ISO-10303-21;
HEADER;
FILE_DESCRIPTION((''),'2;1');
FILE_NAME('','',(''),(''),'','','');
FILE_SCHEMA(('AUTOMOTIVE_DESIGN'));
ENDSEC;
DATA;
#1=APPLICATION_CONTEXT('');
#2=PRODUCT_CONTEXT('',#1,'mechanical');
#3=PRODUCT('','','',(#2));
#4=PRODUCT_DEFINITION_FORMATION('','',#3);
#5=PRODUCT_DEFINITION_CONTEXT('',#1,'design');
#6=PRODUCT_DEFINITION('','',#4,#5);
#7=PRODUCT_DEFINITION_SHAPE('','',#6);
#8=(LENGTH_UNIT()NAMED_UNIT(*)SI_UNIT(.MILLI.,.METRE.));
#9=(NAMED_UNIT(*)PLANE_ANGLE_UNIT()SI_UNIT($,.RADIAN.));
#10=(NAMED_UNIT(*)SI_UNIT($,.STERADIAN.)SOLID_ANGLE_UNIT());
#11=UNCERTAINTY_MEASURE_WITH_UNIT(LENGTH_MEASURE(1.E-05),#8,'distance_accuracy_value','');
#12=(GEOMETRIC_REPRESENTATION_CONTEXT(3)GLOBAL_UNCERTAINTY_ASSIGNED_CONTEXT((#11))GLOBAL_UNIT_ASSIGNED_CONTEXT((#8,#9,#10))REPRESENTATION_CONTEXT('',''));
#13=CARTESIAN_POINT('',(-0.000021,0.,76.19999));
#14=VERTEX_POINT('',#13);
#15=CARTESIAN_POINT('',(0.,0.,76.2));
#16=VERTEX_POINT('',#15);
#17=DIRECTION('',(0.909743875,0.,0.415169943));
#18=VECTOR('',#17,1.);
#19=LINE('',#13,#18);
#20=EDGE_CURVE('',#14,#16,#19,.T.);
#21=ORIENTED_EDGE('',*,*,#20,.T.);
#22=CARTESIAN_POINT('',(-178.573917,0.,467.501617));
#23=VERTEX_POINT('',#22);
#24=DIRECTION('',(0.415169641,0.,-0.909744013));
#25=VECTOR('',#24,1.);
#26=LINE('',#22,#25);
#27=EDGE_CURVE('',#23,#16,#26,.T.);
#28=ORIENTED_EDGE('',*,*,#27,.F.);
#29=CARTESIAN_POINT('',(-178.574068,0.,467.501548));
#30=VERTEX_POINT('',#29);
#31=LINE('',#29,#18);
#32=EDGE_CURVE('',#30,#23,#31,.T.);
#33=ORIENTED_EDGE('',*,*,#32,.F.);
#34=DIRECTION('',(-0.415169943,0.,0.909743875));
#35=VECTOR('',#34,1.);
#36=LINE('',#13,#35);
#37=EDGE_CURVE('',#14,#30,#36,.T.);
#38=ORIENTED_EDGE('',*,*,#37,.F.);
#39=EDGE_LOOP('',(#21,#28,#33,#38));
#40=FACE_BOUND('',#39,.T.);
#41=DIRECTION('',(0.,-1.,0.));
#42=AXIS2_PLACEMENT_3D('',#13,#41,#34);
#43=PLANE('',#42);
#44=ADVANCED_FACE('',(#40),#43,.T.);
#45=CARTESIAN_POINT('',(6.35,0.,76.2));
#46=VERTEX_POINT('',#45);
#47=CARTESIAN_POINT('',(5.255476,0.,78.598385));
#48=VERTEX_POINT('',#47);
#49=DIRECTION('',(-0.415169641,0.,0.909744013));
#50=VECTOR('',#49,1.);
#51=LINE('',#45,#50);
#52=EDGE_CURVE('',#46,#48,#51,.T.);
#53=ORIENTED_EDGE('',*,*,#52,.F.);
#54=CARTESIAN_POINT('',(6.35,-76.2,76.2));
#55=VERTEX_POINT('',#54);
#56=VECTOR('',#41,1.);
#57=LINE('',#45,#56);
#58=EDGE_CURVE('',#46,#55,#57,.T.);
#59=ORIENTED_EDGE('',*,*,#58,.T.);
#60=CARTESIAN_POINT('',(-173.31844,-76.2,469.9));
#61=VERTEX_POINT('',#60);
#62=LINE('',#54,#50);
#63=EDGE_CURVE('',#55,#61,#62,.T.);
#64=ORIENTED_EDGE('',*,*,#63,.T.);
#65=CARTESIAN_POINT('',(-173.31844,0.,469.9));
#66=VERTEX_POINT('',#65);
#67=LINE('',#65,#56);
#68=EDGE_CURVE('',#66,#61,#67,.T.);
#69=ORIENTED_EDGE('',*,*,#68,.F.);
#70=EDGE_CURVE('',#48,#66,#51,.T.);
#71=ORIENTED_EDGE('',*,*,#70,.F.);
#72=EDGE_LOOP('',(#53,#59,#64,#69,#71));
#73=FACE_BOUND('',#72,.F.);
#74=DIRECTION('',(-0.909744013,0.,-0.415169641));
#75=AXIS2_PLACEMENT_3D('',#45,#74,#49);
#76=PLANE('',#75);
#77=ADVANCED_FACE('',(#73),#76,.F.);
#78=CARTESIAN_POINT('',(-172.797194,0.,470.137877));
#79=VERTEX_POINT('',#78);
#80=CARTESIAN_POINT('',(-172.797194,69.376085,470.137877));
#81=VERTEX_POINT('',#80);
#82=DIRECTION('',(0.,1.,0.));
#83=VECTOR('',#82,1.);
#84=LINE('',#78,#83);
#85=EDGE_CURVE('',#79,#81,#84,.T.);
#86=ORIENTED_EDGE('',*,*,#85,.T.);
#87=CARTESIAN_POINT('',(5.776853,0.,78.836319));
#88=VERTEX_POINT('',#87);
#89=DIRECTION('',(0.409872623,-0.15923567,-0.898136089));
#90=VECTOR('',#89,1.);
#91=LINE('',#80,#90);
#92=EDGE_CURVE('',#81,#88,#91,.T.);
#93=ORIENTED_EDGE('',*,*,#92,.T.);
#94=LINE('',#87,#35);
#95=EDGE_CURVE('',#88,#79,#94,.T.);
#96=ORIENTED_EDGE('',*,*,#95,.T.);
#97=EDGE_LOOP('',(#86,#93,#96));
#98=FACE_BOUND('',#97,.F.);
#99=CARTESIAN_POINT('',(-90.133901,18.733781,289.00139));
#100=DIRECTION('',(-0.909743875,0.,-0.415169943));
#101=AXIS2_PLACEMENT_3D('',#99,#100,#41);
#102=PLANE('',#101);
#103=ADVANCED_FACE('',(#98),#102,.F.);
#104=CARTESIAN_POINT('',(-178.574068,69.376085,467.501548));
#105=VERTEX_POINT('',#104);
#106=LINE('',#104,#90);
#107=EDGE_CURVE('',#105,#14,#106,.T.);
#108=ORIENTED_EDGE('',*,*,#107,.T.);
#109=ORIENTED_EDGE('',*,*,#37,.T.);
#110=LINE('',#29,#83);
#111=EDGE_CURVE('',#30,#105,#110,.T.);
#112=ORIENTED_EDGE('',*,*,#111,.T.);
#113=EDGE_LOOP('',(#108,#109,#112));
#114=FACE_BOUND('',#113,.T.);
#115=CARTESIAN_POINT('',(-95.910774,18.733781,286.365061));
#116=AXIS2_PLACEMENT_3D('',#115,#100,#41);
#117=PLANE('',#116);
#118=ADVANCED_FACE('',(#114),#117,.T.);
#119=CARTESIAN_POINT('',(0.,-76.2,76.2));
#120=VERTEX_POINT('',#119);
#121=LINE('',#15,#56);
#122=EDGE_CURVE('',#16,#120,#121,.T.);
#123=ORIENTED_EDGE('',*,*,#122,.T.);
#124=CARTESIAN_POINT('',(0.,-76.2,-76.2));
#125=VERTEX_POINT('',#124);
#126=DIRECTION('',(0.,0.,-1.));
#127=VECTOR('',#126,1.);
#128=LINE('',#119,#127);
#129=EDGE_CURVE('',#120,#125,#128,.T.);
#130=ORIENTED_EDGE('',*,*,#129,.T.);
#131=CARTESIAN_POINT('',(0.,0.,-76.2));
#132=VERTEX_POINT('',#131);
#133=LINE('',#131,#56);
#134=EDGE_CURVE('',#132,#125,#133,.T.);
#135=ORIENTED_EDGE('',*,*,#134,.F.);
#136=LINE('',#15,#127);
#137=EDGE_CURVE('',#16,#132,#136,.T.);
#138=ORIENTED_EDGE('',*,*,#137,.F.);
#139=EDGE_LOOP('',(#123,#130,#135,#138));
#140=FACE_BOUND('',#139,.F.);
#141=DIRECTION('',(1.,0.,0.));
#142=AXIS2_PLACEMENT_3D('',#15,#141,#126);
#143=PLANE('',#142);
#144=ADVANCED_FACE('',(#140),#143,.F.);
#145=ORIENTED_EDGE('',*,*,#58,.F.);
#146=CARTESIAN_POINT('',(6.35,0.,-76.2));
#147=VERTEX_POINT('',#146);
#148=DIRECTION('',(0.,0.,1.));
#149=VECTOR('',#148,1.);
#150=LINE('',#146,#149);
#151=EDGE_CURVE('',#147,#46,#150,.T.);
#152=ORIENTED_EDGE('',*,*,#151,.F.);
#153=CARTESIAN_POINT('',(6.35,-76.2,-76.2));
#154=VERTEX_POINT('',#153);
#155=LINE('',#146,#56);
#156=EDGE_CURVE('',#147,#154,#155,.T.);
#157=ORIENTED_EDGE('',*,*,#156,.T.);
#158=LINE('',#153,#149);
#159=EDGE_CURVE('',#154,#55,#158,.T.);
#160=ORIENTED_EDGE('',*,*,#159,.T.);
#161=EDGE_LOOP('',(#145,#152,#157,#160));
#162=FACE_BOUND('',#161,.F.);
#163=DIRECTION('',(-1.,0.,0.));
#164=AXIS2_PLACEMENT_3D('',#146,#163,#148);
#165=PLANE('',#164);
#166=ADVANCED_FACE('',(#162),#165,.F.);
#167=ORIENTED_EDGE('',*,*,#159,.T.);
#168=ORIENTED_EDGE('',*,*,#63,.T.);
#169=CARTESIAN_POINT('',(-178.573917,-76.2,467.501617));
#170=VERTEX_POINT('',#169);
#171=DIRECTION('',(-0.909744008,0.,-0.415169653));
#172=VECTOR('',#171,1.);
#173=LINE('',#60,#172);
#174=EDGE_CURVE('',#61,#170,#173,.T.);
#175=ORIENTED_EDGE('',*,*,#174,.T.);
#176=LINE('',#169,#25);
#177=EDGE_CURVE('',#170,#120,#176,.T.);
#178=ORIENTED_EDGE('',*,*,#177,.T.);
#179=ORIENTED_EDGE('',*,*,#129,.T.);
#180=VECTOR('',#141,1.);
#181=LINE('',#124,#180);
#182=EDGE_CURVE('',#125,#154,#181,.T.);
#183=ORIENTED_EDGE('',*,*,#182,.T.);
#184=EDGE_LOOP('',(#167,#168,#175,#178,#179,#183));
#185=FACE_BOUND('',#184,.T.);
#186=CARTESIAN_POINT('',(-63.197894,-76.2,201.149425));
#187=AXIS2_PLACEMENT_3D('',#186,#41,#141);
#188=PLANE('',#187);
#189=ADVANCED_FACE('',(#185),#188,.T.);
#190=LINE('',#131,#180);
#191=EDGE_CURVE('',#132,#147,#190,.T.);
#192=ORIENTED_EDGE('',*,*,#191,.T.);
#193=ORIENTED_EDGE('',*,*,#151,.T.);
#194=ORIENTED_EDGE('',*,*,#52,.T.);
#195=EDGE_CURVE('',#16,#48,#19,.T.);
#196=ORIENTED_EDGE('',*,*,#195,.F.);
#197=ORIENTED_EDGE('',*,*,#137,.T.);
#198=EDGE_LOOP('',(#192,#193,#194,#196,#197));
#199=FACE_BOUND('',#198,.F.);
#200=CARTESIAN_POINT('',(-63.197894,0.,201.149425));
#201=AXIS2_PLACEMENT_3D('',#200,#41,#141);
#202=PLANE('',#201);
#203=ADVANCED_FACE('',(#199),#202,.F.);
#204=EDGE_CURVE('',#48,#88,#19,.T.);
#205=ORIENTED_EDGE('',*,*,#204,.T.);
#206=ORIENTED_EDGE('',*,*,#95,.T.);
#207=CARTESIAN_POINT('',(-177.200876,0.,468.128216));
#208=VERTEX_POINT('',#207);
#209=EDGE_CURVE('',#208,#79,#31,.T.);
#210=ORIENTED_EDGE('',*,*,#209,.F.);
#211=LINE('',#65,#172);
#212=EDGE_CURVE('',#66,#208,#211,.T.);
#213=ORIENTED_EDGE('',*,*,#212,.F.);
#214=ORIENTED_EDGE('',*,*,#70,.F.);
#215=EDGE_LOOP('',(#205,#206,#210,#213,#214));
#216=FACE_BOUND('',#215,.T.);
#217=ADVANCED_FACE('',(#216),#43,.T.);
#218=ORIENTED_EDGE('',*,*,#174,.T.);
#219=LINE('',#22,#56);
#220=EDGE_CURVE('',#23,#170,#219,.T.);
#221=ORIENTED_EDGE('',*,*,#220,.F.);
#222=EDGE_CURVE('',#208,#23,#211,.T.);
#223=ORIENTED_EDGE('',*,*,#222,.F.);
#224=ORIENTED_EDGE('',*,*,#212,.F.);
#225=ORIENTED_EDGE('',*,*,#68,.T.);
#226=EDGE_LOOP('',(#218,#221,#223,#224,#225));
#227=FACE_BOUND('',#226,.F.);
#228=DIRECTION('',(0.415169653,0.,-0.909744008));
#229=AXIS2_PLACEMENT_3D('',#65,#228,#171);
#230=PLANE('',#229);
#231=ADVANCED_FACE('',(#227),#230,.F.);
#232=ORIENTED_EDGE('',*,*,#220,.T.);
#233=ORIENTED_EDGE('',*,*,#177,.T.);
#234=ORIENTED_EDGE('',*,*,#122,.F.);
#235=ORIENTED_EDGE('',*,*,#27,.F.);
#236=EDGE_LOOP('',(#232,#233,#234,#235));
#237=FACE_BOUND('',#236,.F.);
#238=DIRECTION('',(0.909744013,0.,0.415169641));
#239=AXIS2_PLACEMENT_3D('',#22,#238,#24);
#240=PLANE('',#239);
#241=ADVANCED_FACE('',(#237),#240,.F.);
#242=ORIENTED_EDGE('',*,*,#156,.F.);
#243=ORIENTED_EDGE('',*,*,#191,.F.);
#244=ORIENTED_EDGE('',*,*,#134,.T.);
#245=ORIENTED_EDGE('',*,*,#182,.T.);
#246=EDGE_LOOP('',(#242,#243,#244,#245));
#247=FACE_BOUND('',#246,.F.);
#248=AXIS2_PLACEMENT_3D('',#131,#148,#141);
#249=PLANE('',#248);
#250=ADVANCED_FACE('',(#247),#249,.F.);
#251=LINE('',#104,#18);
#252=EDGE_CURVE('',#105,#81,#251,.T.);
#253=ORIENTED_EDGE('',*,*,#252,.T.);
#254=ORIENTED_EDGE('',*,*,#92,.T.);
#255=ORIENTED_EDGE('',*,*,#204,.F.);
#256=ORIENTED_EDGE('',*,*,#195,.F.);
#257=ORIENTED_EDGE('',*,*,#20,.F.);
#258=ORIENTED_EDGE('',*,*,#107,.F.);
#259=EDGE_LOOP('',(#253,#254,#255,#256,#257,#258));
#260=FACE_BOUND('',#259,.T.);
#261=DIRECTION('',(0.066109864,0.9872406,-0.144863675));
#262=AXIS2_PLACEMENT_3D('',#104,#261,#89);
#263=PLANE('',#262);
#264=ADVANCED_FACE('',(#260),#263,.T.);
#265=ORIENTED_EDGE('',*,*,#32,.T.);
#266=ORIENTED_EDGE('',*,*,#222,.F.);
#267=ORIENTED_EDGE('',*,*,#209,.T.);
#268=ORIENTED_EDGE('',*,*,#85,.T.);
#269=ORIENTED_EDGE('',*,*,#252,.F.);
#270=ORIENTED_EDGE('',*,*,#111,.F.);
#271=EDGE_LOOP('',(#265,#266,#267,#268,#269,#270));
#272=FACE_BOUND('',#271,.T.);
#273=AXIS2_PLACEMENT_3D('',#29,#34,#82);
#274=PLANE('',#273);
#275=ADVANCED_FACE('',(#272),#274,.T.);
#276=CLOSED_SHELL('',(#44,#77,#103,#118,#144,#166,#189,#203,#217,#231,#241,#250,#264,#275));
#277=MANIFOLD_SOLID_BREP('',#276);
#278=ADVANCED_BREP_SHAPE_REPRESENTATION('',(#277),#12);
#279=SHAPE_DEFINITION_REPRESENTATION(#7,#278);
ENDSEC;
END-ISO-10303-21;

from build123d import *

# Parameters (mm, degrees)
F1_DEPTH = 76.2
F3_DEPTH = 6.35


with BuildPart() as f1:
    # F0 (on Front) → F1 (new body)
    with BuildSketch(Plane.XZ):
        Polygon((6.35, -76.2), (6.35, 0), (6.35, 76.2), (-173.31844, 469.9), (-178.573917, 467.501617), (0, 76.2), (0, 0), (0, -76.2), align=None)
    extrude(amount=F1_DEPTH)

    # F2 (on face) → F3 (join)
    with BuildSketch(Plane(origin=(28.780595, 0, 13.134276), x_dir=(0, -1, 0), z_dir=(-0.909744, 0, -0.41517))):
        Polygon((0, 69.322494), (0, 499.445266), (-69.376085, 499.445266), align=None)
    extrude(amount=-F3_DEPTH)


solid = f1.part
